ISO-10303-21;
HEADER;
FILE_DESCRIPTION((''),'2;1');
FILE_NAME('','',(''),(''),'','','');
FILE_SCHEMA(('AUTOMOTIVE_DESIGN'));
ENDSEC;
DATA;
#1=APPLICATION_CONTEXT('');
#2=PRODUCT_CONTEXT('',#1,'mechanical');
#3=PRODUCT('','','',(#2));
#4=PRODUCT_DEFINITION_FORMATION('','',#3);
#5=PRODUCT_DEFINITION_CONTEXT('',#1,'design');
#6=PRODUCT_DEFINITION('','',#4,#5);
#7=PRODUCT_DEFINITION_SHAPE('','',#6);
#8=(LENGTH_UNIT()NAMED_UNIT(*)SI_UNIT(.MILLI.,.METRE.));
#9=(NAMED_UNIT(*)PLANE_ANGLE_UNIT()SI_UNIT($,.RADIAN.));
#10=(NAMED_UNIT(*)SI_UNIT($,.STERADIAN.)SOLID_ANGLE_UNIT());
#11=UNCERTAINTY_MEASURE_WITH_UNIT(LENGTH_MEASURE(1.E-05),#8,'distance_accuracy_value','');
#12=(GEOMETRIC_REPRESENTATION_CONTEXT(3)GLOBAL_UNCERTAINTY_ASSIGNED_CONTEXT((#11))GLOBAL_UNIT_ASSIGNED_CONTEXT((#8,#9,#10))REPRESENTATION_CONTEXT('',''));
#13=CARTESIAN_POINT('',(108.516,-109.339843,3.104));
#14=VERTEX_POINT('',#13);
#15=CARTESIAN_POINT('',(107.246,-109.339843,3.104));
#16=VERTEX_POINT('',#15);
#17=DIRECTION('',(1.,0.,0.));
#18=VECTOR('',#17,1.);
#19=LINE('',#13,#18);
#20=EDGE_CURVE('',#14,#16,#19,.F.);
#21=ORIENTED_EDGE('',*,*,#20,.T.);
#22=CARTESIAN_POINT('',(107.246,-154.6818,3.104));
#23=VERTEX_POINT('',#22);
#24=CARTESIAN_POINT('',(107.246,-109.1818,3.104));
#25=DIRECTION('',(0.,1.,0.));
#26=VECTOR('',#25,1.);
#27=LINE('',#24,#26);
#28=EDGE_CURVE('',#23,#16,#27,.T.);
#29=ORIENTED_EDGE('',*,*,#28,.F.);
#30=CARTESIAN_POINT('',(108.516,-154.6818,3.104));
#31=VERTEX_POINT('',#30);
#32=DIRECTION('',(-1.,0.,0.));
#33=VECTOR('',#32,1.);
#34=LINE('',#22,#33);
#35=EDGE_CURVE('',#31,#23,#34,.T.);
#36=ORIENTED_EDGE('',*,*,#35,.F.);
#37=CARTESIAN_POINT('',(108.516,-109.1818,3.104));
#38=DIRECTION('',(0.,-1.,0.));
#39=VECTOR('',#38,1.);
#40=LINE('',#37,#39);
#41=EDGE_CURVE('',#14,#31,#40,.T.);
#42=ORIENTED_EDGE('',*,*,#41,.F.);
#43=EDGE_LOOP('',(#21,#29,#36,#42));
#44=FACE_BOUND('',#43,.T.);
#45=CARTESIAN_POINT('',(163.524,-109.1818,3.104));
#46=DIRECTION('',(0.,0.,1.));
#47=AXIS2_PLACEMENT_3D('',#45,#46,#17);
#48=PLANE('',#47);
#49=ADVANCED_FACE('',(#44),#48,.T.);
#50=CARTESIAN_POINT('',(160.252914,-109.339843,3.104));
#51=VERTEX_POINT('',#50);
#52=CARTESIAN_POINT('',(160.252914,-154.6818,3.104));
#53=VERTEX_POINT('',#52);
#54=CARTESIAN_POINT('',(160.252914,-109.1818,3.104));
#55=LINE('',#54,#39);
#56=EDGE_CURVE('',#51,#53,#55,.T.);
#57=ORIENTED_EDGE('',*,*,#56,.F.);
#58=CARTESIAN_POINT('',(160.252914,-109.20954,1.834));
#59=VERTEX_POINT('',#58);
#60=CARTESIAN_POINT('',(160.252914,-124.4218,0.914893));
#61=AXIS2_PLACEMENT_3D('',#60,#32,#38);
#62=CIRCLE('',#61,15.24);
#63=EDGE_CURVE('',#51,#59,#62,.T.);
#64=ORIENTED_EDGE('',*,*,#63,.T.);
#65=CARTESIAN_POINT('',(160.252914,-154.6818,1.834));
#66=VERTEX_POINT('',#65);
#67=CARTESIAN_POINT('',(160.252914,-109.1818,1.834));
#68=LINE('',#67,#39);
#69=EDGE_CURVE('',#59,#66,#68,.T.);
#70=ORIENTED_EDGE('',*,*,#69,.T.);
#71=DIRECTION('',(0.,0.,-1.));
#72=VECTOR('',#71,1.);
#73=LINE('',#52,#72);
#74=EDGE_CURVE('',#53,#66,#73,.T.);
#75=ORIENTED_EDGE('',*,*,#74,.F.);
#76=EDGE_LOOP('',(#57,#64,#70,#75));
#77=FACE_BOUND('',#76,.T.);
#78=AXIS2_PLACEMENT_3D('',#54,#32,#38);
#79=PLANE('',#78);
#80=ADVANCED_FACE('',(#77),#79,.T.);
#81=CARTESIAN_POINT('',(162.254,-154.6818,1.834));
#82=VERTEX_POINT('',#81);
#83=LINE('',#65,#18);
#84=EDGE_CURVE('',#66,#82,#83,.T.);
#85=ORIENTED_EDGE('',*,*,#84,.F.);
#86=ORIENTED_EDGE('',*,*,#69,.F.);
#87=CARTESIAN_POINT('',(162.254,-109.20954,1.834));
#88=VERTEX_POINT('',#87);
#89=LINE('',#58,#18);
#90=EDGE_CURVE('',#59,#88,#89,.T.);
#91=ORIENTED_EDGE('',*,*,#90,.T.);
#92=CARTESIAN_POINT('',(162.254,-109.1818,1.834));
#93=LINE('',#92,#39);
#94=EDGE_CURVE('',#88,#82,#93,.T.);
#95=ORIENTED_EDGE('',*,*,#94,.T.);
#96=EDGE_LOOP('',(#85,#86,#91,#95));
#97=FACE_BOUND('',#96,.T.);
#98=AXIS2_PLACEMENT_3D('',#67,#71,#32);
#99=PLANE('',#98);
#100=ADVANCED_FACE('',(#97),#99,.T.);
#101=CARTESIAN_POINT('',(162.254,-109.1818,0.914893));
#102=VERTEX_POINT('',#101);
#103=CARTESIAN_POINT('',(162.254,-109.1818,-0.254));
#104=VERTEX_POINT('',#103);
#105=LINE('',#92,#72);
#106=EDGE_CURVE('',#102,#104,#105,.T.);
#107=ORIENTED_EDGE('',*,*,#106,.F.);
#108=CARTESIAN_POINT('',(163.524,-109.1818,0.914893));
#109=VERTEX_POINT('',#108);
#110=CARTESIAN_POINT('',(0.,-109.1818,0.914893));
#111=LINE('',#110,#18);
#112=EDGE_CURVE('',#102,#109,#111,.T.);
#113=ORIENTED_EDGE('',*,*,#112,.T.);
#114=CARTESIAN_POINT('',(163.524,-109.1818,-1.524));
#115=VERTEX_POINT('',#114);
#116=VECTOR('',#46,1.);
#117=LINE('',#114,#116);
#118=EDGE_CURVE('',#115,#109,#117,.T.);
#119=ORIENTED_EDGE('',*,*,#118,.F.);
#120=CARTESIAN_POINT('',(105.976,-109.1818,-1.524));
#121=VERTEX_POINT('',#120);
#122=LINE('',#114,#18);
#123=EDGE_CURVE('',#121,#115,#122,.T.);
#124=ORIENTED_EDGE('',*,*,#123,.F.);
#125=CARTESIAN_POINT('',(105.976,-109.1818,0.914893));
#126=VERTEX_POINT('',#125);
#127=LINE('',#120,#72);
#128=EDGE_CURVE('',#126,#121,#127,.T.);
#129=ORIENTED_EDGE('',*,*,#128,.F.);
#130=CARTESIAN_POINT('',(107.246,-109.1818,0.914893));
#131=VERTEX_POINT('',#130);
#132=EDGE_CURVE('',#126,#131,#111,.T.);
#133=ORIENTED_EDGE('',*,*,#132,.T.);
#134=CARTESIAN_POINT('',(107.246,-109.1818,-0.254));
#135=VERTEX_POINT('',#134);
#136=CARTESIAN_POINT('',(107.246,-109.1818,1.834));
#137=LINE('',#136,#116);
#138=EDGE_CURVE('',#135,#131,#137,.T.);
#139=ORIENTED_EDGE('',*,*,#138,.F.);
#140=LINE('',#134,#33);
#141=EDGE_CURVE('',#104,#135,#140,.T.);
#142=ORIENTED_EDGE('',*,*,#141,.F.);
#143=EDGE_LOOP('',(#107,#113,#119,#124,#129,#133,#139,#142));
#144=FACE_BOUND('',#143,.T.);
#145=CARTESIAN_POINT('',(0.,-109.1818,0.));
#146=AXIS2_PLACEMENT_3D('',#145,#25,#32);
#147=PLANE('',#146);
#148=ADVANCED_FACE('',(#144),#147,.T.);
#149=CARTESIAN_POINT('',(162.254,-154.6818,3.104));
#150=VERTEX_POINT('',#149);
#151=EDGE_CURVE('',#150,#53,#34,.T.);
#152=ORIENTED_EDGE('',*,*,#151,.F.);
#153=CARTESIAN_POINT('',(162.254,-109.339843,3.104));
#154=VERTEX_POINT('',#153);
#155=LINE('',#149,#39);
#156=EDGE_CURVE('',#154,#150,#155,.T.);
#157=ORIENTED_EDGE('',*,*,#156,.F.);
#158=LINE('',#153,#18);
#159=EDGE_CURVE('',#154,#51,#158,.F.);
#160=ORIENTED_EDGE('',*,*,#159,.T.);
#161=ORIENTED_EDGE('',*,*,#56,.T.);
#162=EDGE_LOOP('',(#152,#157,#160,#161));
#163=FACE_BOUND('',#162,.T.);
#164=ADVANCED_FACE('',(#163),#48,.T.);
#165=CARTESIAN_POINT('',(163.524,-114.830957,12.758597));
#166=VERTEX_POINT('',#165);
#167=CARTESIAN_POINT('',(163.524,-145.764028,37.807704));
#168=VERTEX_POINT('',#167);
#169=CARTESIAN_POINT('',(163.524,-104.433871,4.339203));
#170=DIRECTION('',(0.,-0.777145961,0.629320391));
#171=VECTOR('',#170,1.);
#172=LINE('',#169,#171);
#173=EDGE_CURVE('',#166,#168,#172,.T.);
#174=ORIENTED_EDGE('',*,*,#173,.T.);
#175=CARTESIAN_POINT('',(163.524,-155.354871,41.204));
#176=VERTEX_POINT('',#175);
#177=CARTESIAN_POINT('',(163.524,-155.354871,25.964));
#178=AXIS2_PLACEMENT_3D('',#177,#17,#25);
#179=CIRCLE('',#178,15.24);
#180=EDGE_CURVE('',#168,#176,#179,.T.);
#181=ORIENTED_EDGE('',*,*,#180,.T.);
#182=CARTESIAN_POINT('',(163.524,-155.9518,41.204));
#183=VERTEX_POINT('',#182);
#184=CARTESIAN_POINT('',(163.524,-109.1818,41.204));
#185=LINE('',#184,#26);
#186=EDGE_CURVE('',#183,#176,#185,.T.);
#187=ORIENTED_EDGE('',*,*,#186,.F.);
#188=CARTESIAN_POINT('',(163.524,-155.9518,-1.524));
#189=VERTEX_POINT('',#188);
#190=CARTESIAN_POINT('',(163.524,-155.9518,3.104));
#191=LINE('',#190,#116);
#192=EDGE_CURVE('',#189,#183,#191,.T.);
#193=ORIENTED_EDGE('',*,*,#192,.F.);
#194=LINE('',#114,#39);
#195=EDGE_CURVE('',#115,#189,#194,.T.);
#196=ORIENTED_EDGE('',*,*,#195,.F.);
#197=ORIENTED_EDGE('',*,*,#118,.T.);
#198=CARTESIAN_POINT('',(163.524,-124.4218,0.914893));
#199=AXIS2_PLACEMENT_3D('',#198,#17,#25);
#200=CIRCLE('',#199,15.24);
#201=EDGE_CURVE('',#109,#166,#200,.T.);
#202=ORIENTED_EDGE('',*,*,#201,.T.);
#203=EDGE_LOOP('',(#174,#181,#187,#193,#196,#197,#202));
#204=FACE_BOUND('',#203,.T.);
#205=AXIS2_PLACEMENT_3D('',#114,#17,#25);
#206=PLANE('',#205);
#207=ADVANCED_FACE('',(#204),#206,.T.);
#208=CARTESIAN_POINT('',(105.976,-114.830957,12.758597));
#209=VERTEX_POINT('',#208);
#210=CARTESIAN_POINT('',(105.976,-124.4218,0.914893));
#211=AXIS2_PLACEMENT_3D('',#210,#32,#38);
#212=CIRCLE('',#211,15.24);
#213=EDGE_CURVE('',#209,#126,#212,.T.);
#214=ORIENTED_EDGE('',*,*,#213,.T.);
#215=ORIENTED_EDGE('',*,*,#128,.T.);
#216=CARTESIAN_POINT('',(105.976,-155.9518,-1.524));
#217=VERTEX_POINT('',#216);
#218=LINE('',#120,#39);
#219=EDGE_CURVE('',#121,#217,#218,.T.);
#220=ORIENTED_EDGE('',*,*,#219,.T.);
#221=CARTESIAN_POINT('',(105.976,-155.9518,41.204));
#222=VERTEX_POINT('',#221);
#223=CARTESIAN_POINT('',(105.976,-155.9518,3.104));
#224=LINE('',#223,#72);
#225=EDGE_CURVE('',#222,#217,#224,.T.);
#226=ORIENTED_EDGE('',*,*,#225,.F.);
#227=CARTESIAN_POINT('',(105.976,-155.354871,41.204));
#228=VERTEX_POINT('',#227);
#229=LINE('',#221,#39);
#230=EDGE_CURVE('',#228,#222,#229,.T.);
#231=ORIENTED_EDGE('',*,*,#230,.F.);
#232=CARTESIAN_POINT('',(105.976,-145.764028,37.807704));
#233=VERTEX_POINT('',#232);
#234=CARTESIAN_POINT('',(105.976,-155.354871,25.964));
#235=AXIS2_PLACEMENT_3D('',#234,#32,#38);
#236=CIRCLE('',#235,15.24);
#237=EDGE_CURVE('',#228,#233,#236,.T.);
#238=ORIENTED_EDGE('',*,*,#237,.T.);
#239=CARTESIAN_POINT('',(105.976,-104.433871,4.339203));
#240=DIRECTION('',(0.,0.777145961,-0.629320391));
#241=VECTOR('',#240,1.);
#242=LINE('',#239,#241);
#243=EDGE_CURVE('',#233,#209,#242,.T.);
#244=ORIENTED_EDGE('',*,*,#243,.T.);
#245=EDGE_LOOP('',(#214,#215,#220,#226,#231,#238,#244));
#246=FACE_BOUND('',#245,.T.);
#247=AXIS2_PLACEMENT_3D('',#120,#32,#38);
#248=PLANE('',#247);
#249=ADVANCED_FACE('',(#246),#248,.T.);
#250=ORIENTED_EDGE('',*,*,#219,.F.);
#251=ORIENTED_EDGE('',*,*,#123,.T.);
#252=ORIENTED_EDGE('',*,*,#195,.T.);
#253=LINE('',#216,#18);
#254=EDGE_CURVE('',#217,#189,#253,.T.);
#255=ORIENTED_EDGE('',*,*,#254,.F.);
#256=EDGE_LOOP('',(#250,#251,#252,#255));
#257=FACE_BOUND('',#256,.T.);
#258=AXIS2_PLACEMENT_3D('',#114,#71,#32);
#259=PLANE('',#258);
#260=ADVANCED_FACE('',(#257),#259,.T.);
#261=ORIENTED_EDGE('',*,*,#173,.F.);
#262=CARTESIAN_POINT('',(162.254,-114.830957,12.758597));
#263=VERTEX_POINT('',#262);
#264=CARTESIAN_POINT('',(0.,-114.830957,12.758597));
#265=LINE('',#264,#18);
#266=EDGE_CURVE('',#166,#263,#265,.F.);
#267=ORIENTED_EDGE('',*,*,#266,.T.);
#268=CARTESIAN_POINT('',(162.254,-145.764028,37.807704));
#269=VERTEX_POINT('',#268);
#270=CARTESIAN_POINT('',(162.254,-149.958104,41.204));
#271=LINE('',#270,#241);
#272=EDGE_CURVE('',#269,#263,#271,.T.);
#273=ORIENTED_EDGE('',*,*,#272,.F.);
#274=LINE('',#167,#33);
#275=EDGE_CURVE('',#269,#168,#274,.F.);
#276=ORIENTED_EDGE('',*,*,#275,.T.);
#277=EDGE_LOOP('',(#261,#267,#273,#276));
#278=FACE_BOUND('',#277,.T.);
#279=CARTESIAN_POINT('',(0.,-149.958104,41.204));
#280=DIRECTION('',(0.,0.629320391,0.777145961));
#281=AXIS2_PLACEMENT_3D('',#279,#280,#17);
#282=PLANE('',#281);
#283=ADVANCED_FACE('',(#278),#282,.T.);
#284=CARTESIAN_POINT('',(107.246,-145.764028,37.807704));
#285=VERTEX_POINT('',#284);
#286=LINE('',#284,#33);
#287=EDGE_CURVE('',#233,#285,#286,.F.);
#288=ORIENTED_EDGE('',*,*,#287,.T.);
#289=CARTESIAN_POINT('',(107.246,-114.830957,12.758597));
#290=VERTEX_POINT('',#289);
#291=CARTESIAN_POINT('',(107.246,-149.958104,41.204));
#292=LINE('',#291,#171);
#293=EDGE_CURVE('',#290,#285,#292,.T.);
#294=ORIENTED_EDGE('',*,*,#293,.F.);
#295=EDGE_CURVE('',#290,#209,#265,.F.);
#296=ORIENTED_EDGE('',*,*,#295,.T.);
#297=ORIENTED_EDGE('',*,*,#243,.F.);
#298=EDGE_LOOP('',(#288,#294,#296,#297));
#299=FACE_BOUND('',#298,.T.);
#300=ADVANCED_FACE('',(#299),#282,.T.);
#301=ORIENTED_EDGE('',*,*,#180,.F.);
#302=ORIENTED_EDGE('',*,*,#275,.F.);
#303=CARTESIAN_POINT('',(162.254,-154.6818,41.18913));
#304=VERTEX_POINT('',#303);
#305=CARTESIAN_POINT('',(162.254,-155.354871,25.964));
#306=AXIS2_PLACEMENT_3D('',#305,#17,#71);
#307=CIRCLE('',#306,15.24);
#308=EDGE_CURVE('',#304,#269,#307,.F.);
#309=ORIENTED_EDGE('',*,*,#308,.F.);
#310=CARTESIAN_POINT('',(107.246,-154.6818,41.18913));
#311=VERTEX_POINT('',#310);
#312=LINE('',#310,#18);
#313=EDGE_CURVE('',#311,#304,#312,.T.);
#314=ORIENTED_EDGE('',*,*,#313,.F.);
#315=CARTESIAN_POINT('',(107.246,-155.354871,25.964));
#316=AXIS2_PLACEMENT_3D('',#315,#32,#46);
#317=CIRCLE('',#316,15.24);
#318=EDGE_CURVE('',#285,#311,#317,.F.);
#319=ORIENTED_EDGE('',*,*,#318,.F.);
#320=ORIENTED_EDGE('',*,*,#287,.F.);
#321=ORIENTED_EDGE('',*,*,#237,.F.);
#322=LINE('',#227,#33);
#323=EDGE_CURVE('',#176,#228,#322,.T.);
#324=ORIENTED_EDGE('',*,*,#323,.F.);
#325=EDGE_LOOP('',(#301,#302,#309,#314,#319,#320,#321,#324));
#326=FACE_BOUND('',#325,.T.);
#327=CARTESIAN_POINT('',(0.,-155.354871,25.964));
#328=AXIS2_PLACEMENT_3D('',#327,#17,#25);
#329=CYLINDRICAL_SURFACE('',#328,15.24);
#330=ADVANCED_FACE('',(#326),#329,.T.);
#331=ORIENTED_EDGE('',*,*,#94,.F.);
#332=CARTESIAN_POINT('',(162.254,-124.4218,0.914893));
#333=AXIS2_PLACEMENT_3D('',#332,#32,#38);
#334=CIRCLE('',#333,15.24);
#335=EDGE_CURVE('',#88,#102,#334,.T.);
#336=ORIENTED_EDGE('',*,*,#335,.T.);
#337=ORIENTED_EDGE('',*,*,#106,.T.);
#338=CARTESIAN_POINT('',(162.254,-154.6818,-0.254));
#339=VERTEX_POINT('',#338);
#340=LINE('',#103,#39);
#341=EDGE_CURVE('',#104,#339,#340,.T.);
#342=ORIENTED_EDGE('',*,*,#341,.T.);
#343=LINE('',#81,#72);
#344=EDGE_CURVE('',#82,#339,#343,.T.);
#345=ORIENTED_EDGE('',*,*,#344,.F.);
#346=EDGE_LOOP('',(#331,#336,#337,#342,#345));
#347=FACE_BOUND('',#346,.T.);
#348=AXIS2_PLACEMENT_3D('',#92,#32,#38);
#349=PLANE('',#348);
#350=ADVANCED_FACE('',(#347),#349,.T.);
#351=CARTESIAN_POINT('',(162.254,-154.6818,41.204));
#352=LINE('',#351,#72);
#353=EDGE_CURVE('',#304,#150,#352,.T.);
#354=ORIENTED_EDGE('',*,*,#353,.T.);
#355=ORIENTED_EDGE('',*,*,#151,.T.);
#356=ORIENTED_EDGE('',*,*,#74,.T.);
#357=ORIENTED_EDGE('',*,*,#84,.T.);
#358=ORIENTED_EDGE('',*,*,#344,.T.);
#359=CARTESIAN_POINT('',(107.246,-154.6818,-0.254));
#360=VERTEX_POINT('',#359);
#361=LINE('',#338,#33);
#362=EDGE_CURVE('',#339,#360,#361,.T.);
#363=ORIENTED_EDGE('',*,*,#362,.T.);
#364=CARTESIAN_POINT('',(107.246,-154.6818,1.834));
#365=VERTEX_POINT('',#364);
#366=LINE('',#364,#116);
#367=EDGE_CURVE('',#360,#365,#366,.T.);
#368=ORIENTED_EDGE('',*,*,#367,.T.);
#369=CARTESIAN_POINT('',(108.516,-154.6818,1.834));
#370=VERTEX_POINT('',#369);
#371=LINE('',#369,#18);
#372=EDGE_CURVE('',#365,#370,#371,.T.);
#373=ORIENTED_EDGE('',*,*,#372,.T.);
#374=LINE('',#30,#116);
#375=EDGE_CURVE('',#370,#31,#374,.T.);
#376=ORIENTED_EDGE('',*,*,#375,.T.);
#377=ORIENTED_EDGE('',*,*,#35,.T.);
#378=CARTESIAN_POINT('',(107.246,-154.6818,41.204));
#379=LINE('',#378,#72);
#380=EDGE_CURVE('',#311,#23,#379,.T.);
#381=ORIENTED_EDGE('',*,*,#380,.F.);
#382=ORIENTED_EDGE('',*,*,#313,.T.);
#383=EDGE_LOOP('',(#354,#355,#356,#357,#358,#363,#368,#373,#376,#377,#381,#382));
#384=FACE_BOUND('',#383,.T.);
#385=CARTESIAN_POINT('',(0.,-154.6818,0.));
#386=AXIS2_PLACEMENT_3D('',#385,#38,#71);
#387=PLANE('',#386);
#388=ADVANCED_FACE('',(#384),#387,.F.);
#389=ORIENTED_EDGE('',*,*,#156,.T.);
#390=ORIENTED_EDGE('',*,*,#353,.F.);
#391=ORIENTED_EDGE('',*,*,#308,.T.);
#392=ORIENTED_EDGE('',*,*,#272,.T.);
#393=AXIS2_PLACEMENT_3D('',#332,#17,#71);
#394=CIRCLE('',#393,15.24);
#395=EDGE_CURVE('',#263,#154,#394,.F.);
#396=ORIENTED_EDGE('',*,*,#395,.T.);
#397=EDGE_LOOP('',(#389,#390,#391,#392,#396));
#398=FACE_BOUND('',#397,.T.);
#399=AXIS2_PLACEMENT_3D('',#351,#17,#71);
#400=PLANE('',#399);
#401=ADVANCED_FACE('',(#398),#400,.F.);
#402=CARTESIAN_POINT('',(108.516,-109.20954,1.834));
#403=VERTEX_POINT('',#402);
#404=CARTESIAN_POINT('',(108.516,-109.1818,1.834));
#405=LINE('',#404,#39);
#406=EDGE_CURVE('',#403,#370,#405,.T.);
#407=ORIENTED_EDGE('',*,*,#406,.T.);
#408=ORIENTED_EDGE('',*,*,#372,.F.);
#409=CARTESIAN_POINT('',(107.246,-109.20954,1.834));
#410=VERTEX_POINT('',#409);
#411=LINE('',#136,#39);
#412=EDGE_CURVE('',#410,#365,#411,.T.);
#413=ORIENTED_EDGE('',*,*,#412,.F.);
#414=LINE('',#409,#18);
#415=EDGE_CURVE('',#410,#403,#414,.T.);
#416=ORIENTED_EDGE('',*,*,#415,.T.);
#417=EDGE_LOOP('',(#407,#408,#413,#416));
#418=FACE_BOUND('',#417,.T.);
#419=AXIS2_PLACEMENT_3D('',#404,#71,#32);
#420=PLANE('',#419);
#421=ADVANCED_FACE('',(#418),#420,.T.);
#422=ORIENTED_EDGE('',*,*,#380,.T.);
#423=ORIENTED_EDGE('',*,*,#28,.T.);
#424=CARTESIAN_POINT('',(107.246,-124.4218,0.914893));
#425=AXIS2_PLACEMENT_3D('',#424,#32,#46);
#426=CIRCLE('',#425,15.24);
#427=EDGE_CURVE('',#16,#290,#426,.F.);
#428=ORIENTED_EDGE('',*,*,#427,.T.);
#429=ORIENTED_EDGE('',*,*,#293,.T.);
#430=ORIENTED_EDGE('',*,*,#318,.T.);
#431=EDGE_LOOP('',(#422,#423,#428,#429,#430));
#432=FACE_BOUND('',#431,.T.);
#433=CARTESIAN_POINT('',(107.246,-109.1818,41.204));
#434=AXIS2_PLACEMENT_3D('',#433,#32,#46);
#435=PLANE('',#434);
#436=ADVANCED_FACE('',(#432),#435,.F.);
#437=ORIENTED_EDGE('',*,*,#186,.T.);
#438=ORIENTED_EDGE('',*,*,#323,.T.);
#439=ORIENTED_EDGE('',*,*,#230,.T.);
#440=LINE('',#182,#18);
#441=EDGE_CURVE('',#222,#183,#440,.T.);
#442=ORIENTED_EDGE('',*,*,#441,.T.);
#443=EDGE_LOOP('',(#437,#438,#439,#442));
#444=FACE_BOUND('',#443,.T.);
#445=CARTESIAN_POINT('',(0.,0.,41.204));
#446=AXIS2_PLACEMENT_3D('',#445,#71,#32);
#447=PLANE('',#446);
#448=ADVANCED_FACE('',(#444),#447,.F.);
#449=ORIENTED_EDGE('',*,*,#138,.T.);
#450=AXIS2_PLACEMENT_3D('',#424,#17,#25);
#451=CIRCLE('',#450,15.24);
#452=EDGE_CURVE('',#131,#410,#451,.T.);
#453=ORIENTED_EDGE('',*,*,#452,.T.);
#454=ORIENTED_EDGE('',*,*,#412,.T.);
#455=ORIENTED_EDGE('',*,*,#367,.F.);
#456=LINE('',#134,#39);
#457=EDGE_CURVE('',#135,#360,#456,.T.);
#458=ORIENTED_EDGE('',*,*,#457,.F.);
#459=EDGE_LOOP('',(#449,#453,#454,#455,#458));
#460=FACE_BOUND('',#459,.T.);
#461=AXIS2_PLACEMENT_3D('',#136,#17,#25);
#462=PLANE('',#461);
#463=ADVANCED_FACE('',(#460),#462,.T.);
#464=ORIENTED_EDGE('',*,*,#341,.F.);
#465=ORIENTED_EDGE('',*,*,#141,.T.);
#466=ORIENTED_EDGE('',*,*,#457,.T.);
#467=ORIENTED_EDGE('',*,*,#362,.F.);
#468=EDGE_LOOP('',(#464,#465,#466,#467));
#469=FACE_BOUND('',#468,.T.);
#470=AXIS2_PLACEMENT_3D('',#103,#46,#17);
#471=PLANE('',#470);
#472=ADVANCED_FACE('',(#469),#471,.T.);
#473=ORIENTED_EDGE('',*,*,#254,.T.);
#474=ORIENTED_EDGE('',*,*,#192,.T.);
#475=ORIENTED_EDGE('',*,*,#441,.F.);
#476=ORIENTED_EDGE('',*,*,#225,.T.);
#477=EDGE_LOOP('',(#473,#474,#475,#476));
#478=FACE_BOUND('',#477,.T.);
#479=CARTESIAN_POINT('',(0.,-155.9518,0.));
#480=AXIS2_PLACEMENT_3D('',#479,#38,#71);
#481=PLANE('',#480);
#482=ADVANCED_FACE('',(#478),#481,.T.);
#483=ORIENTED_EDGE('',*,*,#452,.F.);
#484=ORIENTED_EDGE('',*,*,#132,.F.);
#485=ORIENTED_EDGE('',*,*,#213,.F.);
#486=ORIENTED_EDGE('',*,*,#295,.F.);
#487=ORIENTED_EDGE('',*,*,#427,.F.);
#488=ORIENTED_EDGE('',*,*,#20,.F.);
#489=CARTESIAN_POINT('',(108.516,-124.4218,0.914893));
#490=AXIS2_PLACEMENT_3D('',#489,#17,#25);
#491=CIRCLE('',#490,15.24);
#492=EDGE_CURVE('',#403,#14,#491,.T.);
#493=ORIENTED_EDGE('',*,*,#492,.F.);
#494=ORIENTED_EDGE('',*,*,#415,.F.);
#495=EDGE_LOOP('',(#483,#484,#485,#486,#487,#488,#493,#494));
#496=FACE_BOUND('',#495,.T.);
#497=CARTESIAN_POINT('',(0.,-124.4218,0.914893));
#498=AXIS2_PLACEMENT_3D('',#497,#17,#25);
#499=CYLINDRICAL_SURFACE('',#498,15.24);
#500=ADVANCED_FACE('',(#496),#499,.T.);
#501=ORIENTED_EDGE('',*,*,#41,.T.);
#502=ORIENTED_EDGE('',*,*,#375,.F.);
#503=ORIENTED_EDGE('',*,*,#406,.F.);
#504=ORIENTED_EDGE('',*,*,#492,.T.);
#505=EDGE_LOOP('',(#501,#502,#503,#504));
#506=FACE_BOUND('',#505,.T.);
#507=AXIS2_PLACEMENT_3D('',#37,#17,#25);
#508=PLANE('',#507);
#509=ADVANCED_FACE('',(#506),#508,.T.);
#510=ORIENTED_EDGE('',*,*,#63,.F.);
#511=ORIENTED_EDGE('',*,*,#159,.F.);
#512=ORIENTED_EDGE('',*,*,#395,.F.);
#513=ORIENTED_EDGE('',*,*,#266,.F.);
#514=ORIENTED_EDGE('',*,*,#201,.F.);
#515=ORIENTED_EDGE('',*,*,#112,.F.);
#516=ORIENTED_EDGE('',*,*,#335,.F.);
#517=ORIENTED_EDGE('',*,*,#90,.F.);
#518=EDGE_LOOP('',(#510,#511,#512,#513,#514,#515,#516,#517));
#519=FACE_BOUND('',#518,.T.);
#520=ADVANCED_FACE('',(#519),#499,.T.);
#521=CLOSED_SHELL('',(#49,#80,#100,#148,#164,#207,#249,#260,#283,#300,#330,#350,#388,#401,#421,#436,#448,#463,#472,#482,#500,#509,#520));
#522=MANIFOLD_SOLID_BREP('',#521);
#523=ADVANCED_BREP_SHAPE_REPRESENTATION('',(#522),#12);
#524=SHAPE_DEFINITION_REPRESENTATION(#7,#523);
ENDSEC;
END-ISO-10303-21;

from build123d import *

# Parameters (mm, degrees)
BOSS_EXTRUDE1_DEPTH = 45.5
SKETCH2_W           = 57.548
SKETCH2_H           = 4.628
BOSS_EXTRUDE2_DEPTH = 1.27
BOSS_EXTRUDE3_DEPTH = 38.1
CHAMFER2_SIZE       = 33.02
CHAMFER2_SIZE2      = 40.776304109
FILLET2_R           = 15.24
FILLET3_R           = 15.24


with BuildPart() as part:
    # Sketch1 → Boss-Extrude1 (new body)
    with BuildSketch(Plane.XZ.offset(154.681799526)):
        Polygon((108.516, 1.834), (107.246, 1.834), (107.246, -0.254), (146.442611067, -0.254), (162.254, -0.254), (162.254, 1.834), (160.252914004, 1.834), (160.252914004, 3.104), (163.524, 3.104), (163.524, -1.524), (105.976, -1.524), (105.976, 3.104), (108.516, 3.104), align=None)
    extrude(amount=-BOSS_EXTRUDE1_DEPTH)

    # Sketch2 → Boss-Extrude2 (add)
    with BuildSketch(Plane.XZ.offset(154.681799526)):
        with Locations((134.75, 0.79)):
            Rectangle(SKETCH2_W, SKETCH2_H)
    extrude(amount=BOSS_EXTRUDE2_DEPTH)

    # Sketch8 → Boss-Extrude3 (add)
    with BuildSketch(Plane.XY.offset(3.104)):
        Polygon((105.976, -109.181799526), (107.246, -109.181799526), (107.246, -154.681799526), (162.254, -154.681799526), (162.254, -109.181799526), (163.524, -109.181799526), (163.524, -155.951799526), (105.976, -155.951799526), align=None)
    extrude(amount=BOSS_EXTRUDE3_DEPTH)

    # Chamfer2
    chamfer2_edges = [part.edges().sort_by_distance(p)[0] for p in [
        (162.889, -109.181799526, 41.204),
        (106.611, -109.181799526, 41.204),
    ]]
    chamfer2_side = [part.faces().sort_by_distance(p)[0] for p in [
        (107.881, -109.181799526, 2.550760371),
    ]]
    chamfer(chamfer2_edges, length=CHAMFER2_SIZE, length2=CHAMFER2_SIZE2, reference=chamfer2_side[0])

    # Fillet2
    fillet2_edges = [part.edges().sort_by_distance(p)[0] for p in [
        (162.889, -109.181799526, 8.184),
        (106.611, -109.181799526, 8.184),
    ]]
    fillet(fillet2_edges, radius=FILLET2_R)

    # Fillet3
    fillet3_edges = [part.edges().sort_by_distance(p)[0] for p in [
        (106.611, -149.958103635, 41.204),
    ]]
    fillet(fillet3_edges, radius=FILLET3_R)


solid = part.part
